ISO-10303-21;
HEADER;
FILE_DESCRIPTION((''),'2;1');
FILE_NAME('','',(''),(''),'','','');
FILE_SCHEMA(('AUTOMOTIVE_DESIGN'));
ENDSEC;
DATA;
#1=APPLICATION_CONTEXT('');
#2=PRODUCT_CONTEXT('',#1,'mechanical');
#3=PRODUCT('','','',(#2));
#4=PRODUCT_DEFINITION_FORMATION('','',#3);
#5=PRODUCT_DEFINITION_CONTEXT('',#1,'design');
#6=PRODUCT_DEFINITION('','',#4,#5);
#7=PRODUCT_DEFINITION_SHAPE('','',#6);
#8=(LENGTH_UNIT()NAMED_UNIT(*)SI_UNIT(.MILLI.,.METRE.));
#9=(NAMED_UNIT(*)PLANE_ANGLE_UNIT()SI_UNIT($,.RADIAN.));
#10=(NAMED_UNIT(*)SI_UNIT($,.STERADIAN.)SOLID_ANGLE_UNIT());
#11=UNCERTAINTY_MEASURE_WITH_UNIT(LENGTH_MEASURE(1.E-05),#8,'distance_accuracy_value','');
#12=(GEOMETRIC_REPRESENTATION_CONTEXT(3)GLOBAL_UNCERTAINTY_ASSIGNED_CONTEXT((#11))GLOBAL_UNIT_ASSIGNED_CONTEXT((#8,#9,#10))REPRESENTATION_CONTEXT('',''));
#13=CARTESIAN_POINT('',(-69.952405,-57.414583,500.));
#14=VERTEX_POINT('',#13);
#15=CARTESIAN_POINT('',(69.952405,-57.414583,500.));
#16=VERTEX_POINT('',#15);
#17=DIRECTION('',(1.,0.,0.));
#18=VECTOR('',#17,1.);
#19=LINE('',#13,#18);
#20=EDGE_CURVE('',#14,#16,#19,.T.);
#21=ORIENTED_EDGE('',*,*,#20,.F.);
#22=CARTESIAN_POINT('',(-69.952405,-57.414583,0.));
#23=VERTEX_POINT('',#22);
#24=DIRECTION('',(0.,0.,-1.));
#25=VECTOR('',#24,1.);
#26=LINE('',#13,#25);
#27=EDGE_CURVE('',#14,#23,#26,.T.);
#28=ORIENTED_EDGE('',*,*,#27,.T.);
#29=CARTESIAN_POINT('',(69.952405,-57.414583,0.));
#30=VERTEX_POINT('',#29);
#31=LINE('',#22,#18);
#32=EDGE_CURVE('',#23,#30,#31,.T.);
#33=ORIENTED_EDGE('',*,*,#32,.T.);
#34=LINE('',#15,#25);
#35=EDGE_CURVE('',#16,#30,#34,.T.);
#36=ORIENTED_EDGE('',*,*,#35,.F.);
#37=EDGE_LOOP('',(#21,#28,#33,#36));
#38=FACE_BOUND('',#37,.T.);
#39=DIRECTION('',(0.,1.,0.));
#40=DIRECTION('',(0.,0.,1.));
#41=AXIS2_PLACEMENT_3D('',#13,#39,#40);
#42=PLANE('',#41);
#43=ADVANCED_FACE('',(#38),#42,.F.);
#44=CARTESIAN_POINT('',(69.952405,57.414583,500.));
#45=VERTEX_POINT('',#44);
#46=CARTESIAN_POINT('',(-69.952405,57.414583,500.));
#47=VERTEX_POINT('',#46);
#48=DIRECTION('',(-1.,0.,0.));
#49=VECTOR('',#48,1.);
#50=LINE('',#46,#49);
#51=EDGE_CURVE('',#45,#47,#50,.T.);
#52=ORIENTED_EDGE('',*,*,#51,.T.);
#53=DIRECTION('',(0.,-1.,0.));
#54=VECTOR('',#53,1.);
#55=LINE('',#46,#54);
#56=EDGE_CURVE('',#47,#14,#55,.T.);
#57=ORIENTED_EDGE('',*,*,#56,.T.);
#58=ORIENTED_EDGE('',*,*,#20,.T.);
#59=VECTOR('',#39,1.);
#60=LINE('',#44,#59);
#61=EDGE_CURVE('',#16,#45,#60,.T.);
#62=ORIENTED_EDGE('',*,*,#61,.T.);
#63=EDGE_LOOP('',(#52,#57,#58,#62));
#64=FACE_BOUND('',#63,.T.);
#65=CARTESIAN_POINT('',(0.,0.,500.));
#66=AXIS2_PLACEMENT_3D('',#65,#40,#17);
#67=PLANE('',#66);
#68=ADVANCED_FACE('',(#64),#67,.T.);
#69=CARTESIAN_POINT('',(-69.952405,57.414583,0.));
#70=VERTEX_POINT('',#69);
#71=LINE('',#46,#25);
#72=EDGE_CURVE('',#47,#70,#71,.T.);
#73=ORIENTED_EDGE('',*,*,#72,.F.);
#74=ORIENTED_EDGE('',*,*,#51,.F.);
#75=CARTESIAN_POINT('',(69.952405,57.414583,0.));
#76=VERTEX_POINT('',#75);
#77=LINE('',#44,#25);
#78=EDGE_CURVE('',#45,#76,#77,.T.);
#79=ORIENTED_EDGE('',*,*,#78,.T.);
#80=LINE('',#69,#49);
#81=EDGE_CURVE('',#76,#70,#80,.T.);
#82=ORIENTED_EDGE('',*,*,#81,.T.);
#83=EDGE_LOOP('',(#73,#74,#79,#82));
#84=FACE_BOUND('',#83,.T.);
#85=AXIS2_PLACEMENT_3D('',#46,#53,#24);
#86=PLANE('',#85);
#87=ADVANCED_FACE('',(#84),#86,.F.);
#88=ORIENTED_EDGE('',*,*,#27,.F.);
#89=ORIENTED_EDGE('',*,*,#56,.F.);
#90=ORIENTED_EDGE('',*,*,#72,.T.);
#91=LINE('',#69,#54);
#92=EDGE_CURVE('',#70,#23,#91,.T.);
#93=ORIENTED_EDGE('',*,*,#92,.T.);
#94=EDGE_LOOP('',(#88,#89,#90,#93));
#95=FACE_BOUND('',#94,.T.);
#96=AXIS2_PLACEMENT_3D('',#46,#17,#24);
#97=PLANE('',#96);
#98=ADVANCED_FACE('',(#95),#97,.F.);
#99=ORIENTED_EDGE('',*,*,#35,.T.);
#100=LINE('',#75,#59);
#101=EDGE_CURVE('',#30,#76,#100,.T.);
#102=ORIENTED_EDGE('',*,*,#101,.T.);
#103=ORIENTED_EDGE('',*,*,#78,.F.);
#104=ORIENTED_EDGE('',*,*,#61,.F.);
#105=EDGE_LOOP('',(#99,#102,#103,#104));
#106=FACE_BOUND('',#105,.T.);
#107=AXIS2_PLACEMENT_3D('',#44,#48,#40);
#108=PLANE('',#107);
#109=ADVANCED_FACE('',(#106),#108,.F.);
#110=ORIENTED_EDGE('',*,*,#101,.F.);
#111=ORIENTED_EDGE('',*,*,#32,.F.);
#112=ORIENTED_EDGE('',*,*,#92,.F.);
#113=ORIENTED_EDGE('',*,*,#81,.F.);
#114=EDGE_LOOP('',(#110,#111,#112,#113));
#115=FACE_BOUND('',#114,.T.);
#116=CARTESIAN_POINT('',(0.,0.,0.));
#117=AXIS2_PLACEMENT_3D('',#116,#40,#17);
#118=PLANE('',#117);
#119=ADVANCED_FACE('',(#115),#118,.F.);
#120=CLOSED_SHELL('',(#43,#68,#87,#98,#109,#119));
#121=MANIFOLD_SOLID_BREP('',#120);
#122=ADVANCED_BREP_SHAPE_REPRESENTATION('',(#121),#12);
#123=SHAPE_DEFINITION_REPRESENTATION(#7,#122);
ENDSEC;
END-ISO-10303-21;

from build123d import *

# Parameters (mm, degrees)
SKETCH_1_W      = 139.904810354
SKETCH_1_H      = 114.829166666
EXTRUDE_1_DEPTH = 500


with BuildPart() as part:
    # 草图1 → 凸台-拉伸1 (new body)
    with BuildSketch(Plane.XY):
        Rectangle(SKETCH_1_W, SKETCH_1_H)
    extrude(amount=EXTRUDE_1_DEPTH)


solid = part.part
